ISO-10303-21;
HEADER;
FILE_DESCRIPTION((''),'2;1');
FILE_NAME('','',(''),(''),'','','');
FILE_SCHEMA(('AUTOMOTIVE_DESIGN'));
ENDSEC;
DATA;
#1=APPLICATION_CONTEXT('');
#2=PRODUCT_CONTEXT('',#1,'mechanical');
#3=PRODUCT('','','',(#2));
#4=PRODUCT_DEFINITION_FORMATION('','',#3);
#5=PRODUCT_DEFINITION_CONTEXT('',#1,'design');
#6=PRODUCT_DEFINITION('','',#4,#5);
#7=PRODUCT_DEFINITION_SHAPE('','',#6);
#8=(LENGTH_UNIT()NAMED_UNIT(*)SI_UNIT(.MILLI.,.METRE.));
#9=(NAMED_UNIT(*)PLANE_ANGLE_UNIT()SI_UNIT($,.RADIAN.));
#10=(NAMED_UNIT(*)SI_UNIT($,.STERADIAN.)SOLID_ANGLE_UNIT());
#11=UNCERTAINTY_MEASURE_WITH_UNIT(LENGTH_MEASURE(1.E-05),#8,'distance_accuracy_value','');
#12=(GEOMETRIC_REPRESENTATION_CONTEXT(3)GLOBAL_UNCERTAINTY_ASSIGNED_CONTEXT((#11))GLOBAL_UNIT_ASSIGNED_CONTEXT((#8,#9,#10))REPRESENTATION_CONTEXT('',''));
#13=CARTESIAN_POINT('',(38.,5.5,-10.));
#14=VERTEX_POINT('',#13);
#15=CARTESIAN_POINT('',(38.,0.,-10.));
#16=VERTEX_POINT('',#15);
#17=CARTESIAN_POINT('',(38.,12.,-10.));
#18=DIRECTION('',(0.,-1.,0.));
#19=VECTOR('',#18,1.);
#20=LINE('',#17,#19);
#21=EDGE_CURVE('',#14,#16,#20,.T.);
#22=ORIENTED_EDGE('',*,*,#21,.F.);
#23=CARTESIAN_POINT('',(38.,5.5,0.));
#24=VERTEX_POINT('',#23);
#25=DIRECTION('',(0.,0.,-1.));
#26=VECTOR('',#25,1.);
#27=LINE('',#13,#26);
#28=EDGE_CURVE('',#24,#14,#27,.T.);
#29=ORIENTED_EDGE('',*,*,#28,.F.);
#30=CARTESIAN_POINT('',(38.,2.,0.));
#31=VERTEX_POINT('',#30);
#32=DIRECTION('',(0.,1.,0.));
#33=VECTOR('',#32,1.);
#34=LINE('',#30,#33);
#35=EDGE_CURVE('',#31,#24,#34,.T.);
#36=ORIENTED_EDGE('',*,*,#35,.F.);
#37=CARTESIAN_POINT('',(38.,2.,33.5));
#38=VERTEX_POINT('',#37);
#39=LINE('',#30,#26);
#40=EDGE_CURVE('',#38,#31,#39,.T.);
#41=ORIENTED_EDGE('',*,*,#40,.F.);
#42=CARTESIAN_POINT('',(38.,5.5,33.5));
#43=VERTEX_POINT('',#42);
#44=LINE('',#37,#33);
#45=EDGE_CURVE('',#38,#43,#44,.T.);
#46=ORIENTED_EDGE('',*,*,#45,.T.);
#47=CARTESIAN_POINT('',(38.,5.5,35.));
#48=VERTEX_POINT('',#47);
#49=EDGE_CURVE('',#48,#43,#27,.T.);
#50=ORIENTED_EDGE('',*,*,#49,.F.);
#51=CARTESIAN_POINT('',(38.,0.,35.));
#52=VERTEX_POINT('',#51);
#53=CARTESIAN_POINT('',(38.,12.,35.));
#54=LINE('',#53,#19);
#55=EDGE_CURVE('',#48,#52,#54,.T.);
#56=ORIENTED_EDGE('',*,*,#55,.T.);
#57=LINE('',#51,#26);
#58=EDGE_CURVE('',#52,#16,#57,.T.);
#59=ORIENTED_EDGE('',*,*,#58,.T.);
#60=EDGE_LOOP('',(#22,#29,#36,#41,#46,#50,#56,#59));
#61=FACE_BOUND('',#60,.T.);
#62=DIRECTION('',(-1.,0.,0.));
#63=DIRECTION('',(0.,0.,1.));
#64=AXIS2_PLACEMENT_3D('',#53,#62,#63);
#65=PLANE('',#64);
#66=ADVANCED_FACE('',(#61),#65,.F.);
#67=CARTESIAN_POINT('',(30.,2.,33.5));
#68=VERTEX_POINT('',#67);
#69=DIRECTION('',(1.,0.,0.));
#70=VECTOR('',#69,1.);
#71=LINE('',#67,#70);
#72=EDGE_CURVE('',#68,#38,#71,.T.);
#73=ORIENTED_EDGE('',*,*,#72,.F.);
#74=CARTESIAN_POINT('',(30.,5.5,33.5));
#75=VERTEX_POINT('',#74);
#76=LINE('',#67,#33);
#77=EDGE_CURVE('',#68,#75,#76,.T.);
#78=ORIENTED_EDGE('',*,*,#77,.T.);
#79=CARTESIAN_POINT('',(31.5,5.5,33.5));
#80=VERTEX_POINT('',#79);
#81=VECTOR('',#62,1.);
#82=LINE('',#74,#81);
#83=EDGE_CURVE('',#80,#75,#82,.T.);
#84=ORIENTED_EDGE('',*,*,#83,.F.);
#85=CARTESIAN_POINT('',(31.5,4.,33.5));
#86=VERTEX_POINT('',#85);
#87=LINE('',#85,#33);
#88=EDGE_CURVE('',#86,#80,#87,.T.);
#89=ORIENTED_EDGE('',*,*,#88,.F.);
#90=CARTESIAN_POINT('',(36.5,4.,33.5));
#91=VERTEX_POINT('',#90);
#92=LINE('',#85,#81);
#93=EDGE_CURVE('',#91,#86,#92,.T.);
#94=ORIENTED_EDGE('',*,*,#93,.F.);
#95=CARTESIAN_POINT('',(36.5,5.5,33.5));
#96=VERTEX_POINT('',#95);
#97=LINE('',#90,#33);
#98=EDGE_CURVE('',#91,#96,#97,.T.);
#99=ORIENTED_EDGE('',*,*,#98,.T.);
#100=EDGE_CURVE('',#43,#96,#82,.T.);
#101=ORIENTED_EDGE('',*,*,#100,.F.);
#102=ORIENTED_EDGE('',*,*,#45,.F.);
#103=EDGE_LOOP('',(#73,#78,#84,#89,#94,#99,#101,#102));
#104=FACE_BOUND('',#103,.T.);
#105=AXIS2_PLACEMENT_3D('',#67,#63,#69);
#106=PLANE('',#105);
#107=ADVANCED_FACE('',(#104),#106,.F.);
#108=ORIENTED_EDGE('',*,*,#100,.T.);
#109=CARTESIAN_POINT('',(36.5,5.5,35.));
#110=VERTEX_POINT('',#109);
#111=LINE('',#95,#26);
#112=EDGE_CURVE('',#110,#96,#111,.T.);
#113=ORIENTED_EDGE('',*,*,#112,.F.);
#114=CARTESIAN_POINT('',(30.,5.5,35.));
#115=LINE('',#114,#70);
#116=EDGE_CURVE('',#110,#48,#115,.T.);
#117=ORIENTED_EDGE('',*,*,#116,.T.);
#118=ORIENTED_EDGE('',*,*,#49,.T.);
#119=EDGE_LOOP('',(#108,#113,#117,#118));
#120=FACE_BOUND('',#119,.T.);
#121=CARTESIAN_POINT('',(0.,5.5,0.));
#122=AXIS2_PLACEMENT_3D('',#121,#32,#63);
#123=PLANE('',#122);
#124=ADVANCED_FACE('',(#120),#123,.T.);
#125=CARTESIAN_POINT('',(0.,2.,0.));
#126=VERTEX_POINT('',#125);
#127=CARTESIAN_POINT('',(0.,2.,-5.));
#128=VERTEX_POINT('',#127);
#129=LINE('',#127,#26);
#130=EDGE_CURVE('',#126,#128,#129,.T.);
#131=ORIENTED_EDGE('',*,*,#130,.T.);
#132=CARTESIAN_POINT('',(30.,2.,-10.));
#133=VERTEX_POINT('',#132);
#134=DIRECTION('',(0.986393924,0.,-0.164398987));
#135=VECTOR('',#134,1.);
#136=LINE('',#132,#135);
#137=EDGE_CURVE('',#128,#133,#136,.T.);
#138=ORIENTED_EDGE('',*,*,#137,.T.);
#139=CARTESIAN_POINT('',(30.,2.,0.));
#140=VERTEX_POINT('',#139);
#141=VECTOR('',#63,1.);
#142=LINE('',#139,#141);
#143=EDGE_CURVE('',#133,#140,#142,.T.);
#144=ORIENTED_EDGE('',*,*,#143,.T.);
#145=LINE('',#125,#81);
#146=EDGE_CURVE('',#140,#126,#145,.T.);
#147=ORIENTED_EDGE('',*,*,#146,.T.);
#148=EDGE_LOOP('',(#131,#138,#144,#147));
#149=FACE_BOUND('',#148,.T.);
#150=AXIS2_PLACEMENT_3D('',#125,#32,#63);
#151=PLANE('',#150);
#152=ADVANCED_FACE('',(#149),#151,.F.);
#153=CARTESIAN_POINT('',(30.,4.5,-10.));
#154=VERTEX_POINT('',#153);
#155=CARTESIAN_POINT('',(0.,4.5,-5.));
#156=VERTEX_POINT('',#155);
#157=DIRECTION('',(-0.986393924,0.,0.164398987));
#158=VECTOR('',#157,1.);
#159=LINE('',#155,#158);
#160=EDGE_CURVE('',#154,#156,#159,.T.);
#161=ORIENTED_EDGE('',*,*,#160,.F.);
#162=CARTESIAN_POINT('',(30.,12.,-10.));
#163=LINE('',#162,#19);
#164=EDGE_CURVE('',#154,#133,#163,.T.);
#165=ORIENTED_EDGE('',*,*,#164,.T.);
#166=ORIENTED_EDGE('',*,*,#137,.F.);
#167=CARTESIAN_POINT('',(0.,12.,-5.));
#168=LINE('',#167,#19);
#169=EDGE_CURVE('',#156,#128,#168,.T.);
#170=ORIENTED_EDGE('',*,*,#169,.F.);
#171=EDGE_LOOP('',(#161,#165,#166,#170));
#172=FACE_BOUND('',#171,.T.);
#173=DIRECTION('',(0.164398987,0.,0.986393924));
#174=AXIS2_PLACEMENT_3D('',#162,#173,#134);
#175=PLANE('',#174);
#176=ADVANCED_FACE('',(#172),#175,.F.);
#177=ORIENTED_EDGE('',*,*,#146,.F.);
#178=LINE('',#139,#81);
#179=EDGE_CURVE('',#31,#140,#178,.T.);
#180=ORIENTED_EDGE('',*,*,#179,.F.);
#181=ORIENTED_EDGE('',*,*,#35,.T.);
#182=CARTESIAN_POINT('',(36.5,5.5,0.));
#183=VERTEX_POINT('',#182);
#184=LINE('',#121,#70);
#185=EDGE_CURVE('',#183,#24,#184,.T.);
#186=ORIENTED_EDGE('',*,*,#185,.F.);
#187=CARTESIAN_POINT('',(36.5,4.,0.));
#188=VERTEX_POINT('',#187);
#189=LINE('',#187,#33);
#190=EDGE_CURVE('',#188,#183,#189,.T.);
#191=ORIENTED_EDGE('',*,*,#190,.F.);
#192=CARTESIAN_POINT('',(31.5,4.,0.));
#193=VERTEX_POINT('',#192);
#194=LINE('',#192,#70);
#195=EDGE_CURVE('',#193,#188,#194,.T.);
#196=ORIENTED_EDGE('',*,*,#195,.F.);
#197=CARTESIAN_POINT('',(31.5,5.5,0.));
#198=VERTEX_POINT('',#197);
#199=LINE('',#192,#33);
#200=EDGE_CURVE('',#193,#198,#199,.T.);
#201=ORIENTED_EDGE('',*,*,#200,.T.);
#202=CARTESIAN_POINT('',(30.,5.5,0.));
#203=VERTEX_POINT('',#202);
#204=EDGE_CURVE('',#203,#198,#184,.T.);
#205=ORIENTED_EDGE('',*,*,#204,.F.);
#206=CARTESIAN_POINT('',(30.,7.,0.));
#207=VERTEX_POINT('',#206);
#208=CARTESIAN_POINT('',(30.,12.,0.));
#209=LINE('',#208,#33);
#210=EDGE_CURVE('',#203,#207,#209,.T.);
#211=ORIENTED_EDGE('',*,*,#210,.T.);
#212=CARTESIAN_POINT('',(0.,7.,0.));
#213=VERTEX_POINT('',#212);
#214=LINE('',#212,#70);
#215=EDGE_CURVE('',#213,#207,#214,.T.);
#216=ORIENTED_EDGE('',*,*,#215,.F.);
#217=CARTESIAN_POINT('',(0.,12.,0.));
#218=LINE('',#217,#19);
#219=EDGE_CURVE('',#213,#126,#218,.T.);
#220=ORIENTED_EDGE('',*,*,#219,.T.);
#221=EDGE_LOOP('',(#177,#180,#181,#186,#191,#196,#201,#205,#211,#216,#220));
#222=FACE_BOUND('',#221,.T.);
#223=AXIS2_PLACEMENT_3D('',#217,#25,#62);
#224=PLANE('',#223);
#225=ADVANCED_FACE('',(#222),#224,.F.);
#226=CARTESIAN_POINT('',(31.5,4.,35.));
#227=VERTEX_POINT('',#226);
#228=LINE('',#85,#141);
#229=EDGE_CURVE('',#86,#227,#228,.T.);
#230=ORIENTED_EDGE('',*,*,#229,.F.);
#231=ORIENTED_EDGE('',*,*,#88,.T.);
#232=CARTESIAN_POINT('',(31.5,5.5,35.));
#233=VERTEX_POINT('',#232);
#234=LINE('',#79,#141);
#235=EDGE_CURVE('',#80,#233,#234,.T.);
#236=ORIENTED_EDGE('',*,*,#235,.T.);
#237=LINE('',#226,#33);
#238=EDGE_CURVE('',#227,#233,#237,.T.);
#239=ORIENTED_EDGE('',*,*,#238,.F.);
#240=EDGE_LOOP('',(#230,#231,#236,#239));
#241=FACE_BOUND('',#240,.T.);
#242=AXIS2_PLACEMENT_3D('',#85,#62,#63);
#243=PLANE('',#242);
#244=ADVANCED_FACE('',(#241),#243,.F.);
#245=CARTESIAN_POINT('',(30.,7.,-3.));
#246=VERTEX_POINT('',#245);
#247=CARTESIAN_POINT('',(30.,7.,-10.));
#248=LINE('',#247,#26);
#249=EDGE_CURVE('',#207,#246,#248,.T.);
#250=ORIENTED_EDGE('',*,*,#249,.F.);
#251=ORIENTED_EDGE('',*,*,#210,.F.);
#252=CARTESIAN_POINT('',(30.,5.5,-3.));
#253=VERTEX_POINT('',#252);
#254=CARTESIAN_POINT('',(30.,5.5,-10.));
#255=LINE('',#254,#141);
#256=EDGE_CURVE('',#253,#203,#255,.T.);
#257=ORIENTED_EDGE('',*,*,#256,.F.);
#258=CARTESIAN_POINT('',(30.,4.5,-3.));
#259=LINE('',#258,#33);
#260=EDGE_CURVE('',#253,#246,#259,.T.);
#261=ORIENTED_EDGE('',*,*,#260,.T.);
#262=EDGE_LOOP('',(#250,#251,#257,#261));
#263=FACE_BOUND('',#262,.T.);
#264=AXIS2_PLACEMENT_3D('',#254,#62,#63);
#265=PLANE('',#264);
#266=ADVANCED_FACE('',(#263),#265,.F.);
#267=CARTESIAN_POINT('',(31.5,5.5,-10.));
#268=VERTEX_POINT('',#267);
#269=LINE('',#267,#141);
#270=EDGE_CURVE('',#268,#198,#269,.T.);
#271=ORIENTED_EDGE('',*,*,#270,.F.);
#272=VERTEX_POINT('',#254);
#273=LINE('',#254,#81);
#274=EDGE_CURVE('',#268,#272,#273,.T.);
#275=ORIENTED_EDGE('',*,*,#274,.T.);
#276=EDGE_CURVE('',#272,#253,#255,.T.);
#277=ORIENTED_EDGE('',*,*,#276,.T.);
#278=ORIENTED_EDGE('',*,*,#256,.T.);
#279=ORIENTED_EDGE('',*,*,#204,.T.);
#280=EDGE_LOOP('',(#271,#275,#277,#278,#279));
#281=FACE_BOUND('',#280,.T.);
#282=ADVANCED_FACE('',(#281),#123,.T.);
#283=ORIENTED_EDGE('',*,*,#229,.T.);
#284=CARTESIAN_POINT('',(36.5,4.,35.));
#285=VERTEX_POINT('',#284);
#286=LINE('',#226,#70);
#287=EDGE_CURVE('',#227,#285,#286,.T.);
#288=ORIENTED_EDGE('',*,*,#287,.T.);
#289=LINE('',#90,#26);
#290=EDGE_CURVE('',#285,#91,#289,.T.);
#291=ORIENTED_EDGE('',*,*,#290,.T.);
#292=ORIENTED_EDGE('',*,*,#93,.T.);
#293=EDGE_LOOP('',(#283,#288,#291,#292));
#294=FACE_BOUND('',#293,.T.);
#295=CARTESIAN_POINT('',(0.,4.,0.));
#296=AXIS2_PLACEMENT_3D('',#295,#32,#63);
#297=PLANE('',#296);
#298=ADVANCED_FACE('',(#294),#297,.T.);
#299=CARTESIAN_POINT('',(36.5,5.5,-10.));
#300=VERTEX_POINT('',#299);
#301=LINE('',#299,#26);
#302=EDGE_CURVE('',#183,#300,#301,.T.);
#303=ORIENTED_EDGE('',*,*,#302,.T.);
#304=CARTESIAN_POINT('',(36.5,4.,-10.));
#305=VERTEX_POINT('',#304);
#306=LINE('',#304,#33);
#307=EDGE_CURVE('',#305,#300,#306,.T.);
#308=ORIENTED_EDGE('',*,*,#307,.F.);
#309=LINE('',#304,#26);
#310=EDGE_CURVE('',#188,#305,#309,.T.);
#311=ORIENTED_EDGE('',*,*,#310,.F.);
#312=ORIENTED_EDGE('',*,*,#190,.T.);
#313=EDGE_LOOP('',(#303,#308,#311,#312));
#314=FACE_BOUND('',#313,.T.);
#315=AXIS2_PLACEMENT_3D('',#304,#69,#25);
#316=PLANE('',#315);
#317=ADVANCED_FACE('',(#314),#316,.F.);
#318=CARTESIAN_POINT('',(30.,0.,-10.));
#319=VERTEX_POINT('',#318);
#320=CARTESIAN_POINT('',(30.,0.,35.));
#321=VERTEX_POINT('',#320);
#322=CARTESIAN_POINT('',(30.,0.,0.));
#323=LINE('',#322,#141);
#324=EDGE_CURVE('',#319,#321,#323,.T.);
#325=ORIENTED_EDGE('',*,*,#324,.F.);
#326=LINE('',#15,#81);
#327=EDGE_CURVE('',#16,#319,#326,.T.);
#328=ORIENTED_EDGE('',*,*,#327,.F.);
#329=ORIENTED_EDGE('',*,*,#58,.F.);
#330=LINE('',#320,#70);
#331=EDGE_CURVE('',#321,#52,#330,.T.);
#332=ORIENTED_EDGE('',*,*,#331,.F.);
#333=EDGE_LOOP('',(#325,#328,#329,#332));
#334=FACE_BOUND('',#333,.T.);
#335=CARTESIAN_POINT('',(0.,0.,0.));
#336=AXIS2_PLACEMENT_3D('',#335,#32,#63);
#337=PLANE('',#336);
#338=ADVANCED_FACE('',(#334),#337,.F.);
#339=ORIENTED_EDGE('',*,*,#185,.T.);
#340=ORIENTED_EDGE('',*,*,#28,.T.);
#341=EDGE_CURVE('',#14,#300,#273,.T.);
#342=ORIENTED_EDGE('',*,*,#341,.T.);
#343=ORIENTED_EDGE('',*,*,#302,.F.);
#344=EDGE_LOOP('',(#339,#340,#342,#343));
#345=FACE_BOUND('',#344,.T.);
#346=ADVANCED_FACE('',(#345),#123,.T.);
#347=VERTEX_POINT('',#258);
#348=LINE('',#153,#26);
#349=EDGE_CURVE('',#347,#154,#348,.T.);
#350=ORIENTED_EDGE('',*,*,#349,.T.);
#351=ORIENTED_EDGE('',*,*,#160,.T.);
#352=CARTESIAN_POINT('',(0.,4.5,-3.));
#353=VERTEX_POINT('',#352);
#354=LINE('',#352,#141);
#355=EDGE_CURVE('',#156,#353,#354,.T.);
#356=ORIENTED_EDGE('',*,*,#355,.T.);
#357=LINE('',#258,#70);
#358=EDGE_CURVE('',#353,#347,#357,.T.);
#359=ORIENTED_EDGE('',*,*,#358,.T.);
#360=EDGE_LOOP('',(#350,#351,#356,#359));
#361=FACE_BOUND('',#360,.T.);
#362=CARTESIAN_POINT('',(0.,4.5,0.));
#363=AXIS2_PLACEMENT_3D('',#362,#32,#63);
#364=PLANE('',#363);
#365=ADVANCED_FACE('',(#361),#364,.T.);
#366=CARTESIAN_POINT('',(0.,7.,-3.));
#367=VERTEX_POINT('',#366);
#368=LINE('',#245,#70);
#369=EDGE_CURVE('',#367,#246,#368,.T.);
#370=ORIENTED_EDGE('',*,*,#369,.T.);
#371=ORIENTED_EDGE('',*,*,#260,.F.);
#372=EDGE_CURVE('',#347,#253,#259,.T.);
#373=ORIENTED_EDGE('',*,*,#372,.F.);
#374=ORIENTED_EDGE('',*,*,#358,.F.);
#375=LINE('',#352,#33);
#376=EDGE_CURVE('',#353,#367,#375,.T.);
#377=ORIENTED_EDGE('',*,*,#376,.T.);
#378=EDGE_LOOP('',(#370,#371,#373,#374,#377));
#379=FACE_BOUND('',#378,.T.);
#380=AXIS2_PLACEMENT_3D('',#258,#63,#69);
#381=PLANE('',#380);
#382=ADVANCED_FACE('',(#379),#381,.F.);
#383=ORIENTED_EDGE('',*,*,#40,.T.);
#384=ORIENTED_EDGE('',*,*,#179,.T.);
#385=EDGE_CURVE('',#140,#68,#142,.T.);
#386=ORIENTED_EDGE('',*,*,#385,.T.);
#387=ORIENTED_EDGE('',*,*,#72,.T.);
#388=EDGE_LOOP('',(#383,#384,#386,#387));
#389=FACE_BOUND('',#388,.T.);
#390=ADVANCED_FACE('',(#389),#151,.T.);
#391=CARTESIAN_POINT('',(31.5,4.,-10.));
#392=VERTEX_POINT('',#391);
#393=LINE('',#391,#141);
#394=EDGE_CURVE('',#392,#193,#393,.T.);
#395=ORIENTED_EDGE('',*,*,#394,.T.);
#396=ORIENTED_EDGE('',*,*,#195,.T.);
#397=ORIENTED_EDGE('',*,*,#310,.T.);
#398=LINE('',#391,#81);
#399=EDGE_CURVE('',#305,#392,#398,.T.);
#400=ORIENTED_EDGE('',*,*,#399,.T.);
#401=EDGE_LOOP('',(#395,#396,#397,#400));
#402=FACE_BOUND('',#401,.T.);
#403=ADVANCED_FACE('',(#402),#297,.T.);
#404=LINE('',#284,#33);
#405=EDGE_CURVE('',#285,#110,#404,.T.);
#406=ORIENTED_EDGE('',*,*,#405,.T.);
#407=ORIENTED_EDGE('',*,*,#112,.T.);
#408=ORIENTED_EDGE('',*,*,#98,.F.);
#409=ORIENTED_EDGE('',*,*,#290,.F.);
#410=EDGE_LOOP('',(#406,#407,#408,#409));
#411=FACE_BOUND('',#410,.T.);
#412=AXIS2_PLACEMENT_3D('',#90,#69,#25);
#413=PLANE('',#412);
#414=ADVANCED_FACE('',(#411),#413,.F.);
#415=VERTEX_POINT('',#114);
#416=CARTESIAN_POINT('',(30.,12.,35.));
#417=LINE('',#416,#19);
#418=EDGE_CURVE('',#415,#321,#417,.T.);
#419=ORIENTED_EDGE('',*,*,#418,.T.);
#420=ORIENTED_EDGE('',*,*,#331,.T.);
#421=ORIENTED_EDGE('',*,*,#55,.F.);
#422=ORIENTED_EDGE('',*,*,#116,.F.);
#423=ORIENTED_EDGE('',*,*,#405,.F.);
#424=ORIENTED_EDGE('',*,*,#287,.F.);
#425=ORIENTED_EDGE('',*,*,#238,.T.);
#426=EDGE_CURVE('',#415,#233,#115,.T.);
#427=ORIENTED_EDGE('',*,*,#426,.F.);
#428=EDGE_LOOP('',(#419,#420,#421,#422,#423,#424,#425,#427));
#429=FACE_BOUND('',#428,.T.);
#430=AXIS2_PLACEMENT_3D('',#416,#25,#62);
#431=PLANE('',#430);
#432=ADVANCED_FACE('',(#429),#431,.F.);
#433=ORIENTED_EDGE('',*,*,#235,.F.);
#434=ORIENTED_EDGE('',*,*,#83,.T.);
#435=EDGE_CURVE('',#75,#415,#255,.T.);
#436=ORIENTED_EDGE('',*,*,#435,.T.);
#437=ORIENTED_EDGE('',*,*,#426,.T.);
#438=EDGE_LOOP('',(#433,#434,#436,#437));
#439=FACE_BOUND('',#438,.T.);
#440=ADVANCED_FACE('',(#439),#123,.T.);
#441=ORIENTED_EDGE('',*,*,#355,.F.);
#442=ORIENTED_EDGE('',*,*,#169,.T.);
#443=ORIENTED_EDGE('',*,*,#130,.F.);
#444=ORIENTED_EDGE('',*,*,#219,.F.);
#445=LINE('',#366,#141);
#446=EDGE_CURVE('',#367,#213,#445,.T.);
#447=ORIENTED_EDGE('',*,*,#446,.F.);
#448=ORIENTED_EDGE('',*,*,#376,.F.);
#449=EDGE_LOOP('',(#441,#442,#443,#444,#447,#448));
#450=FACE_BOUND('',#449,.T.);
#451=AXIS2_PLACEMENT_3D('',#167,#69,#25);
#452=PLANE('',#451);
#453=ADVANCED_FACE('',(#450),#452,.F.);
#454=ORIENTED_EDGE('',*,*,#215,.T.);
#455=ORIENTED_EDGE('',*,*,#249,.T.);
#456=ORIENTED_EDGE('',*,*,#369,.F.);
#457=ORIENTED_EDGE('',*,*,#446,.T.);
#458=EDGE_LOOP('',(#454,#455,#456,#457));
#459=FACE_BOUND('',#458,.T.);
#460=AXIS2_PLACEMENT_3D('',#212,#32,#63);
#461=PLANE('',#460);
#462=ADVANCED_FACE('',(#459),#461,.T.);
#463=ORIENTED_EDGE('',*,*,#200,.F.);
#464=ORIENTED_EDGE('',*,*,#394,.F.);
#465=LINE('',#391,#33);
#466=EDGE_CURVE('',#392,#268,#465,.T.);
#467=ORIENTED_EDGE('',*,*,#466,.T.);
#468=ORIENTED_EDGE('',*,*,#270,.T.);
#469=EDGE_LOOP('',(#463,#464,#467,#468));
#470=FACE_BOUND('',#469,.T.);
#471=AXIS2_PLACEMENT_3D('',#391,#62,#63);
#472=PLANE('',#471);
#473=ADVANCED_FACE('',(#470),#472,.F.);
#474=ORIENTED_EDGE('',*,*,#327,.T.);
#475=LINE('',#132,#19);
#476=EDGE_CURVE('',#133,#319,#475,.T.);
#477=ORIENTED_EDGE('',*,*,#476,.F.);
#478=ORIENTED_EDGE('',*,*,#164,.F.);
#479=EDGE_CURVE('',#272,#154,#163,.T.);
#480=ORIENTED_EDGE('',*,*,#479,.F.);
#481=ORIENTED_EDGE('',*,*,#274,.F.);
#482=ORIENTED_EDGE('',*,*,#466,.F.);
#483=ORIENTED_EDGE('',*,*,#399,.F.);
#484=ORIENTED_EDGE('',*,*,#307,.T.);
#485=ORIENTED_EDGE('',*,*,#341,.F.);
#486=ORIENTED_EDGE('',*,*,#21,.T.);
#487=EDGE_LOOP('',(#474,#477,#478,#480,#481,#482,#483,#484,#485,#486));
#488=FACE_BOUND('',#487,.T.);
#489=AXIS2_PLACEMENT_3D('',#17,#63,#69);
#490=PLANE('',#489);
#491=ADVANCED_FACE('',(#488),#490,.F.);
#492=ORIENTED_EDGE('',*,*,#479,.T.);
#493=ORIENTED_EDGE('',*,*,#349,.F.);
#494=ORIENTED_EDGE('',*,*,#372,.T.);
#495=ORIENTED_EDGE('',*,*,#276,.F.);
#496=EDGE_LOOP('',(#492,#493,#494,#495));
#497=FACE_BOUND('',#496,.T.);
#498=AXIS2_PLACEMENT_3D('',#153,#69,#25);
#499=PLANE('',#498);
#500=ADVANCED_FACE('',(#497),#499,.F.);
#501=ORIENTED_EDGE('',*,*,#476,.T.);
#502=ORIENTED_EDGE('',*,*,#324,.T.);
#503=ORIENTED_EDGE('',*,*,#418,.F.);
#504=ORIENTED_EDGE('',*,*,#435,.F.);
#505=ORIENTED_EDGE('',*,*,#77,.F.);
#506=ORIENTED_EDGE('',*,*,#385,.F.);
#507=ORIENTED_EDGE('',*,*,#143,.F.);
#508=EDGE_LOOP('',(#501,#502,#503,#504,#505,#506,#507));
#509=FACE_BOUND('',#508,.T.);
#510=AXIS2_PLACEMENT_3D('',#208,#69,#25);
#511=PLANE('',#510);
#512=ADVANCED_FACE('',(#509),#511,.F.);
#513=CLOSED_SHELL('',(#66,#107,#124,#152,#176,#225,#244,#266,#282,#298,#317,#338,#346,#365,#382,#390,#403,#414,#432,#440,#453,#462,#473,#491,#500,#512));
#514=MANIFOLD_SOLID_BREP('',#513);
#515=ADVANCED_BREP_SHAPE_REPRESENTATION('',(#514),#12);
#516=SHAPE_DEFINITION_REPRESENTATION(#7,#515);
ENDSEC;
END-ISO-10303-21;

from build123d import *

# Parameters (mm, degrees)
BOSS_EXTRUDE1_DEPTH = 12
SKETCH2_W           = 8
SKETCH2_H           = 33.5
CUT_EXTRUDE1_DEPTH  = 10
SKETCH3_W           = 8
SKETCH3_H           = 45
CUT_EXTRUDE2_DEPTH  = 6.5
SKETCH4_W           = 5
SKETCH4_H           = 10
CUT_EXTRUDE3_DEPTH  = 1.5
SKETCH5_W           = 5
SKETCH5_H           = 1.5
CUT_EXTRUDE4_DEPTH  = 1.5
CUT_EXTRUDE5_DEPTH  = 2
CUT_EXTRUDE7_DEPTH  = 1
CUT_EXTRUDE8_DEPTH  = 4
SKETCH10_W          = 30
SKETCH10_H          = 3
CUT_EXTRUDE9_DEPTH  = 4
CUT_EXTRUDE10_DEPTH = 2.5


with BuildPart() as part:
    # Sketch1 → Boss-Extrude1 (new body)
    with BuildSketch(Plane(origin=(0, 0, 0), x_dir=(1, 0, 0), z_dir=(0, 1, 0))):
        Polygon((0, 0), (30, 0), (30, -35), (38, -35), (38, 10), (30, 10), (0, 5), align=None)
    extrude(amount=BOSS_EXTRUDE1_DEPTH)

    # Sketch2 → Cut-Extrude1 (cut)
    with BuildSketch(Plane(origin=(0, 12, 0), x_dir=(1, 0, 0), z_dir=(0, 1, 0))):
        with Locations((34, -16.75)):
            Rectangle(SKETCH2_W, SKETCH2_H)
    extrude(amount=-CUT_EXTRUDE1_DEPTH, mode=Mode.SUBTRACT)

    # Sketch3 → Cut-Extrude2 (cut)
    with BuildSketch(Plane(origin=(0, 12, 0), x_dir=(1, 0, 0), z_dir=(0, 1, 0))):
        with Locations((34, -12.5)):
            Rectangle(SKETCH3_W, SKETCH3_H)
    extrude(amount=-CUT_EXTRUDE2_DEPTH, mode=Mode.SUBTRACT)

    # Sketch4 → Cut-Extrude3 (cut)
    with BuildSketch(Plane(origin=(0, 5.5, 0), x_dir=(1, 0, 0), z_dir=(0, 1, 0))):
        with Locations((34, 5)):
            Rectangle(SKETCH4_W, SKETCH4_H)
    extrude(amount=-CUT_EXTRUDE3_DEPTH, mode=Mode.SUBTRACT)

    # Sketch5 → Cut-Extrude4 (cut)
    with BuildSketch(Plane(origin=(0, 5.5, 0), x_dir=(1, 0, 0), z_dir=(0, 1, 0))):
        with Locations((34, -34.25)):
            Rectangle(SKETCH5_W, SKETCH5_H)
    extrude(amount=-CUT_EXTRUDE4_DEPTH, mode=Mode.SUBTRACT)

    # Sketch6 → Cut-Extrude5 (cut)
    with BuildSketch(Plane.XZ):
        Polygon((0, 0), (30, 0), (30, -10), (0, -5), align=None)
    extrude(amount=-CUT_EXTRUDE5_DEPTH, mode=Mode.SUBTRACT)

    # Sketch7 → Cut-Extrude7 (cut)
    with BuildSketch(Plane(origin=(0, 12, 0), x_dir=(1, 0, 0), z_dir=(0, 1, 0))):
        Polygon((0, 5), (30, 10), (30, 0), (0, 0), align=None)
    extrude(amount=-CUT_EXTRUDE7_DEPTH, mode=Mode.SUBTRACT)

    # Sketch9 → Cut-Extrude8 (cut)
    with BuildSketch(Plane(origin=(0, 11, 0), x_dir=(1, 0, 0), z_dir=(0, 1, 0))):
        Polygon((0, 5), (30, 10), (30, 3), (0, 3), align=None)
    extrude(amount=-CUT_EXTRUDE8_DEPTH, mode=Mode.SUBTRACT)

    # Sketch10 → Cut-Extrude9 (cut)
    with BuildSketch(Plane(origin=(0, 11, 0), x_dir=(1, 0, 0), z_dir=(0, 1, 0))):
        with Locations((15, 1.5)):
            Rectangle(SKETCH10_W, SKETCH10_H)
    extrude(amount=-CUT_EXTRUDE9_DEPTH, mode=Mode.SUBTRACT)

    # Sketch11 → Cut-Extrude10 (cut)
    with BuildSketch(Plane(origin=(0, 7, 0), x_dir=(1, 0, 0), z_dir=(0, 1, 0))):
        Polygon((0, 5), (30, 10), (30, 3), (0, 3), align=None)
    extrude(amount=-CUT_EXTRUDE10_DEPTH, mode=Mode.SUBTRACT)


solid = part.part
